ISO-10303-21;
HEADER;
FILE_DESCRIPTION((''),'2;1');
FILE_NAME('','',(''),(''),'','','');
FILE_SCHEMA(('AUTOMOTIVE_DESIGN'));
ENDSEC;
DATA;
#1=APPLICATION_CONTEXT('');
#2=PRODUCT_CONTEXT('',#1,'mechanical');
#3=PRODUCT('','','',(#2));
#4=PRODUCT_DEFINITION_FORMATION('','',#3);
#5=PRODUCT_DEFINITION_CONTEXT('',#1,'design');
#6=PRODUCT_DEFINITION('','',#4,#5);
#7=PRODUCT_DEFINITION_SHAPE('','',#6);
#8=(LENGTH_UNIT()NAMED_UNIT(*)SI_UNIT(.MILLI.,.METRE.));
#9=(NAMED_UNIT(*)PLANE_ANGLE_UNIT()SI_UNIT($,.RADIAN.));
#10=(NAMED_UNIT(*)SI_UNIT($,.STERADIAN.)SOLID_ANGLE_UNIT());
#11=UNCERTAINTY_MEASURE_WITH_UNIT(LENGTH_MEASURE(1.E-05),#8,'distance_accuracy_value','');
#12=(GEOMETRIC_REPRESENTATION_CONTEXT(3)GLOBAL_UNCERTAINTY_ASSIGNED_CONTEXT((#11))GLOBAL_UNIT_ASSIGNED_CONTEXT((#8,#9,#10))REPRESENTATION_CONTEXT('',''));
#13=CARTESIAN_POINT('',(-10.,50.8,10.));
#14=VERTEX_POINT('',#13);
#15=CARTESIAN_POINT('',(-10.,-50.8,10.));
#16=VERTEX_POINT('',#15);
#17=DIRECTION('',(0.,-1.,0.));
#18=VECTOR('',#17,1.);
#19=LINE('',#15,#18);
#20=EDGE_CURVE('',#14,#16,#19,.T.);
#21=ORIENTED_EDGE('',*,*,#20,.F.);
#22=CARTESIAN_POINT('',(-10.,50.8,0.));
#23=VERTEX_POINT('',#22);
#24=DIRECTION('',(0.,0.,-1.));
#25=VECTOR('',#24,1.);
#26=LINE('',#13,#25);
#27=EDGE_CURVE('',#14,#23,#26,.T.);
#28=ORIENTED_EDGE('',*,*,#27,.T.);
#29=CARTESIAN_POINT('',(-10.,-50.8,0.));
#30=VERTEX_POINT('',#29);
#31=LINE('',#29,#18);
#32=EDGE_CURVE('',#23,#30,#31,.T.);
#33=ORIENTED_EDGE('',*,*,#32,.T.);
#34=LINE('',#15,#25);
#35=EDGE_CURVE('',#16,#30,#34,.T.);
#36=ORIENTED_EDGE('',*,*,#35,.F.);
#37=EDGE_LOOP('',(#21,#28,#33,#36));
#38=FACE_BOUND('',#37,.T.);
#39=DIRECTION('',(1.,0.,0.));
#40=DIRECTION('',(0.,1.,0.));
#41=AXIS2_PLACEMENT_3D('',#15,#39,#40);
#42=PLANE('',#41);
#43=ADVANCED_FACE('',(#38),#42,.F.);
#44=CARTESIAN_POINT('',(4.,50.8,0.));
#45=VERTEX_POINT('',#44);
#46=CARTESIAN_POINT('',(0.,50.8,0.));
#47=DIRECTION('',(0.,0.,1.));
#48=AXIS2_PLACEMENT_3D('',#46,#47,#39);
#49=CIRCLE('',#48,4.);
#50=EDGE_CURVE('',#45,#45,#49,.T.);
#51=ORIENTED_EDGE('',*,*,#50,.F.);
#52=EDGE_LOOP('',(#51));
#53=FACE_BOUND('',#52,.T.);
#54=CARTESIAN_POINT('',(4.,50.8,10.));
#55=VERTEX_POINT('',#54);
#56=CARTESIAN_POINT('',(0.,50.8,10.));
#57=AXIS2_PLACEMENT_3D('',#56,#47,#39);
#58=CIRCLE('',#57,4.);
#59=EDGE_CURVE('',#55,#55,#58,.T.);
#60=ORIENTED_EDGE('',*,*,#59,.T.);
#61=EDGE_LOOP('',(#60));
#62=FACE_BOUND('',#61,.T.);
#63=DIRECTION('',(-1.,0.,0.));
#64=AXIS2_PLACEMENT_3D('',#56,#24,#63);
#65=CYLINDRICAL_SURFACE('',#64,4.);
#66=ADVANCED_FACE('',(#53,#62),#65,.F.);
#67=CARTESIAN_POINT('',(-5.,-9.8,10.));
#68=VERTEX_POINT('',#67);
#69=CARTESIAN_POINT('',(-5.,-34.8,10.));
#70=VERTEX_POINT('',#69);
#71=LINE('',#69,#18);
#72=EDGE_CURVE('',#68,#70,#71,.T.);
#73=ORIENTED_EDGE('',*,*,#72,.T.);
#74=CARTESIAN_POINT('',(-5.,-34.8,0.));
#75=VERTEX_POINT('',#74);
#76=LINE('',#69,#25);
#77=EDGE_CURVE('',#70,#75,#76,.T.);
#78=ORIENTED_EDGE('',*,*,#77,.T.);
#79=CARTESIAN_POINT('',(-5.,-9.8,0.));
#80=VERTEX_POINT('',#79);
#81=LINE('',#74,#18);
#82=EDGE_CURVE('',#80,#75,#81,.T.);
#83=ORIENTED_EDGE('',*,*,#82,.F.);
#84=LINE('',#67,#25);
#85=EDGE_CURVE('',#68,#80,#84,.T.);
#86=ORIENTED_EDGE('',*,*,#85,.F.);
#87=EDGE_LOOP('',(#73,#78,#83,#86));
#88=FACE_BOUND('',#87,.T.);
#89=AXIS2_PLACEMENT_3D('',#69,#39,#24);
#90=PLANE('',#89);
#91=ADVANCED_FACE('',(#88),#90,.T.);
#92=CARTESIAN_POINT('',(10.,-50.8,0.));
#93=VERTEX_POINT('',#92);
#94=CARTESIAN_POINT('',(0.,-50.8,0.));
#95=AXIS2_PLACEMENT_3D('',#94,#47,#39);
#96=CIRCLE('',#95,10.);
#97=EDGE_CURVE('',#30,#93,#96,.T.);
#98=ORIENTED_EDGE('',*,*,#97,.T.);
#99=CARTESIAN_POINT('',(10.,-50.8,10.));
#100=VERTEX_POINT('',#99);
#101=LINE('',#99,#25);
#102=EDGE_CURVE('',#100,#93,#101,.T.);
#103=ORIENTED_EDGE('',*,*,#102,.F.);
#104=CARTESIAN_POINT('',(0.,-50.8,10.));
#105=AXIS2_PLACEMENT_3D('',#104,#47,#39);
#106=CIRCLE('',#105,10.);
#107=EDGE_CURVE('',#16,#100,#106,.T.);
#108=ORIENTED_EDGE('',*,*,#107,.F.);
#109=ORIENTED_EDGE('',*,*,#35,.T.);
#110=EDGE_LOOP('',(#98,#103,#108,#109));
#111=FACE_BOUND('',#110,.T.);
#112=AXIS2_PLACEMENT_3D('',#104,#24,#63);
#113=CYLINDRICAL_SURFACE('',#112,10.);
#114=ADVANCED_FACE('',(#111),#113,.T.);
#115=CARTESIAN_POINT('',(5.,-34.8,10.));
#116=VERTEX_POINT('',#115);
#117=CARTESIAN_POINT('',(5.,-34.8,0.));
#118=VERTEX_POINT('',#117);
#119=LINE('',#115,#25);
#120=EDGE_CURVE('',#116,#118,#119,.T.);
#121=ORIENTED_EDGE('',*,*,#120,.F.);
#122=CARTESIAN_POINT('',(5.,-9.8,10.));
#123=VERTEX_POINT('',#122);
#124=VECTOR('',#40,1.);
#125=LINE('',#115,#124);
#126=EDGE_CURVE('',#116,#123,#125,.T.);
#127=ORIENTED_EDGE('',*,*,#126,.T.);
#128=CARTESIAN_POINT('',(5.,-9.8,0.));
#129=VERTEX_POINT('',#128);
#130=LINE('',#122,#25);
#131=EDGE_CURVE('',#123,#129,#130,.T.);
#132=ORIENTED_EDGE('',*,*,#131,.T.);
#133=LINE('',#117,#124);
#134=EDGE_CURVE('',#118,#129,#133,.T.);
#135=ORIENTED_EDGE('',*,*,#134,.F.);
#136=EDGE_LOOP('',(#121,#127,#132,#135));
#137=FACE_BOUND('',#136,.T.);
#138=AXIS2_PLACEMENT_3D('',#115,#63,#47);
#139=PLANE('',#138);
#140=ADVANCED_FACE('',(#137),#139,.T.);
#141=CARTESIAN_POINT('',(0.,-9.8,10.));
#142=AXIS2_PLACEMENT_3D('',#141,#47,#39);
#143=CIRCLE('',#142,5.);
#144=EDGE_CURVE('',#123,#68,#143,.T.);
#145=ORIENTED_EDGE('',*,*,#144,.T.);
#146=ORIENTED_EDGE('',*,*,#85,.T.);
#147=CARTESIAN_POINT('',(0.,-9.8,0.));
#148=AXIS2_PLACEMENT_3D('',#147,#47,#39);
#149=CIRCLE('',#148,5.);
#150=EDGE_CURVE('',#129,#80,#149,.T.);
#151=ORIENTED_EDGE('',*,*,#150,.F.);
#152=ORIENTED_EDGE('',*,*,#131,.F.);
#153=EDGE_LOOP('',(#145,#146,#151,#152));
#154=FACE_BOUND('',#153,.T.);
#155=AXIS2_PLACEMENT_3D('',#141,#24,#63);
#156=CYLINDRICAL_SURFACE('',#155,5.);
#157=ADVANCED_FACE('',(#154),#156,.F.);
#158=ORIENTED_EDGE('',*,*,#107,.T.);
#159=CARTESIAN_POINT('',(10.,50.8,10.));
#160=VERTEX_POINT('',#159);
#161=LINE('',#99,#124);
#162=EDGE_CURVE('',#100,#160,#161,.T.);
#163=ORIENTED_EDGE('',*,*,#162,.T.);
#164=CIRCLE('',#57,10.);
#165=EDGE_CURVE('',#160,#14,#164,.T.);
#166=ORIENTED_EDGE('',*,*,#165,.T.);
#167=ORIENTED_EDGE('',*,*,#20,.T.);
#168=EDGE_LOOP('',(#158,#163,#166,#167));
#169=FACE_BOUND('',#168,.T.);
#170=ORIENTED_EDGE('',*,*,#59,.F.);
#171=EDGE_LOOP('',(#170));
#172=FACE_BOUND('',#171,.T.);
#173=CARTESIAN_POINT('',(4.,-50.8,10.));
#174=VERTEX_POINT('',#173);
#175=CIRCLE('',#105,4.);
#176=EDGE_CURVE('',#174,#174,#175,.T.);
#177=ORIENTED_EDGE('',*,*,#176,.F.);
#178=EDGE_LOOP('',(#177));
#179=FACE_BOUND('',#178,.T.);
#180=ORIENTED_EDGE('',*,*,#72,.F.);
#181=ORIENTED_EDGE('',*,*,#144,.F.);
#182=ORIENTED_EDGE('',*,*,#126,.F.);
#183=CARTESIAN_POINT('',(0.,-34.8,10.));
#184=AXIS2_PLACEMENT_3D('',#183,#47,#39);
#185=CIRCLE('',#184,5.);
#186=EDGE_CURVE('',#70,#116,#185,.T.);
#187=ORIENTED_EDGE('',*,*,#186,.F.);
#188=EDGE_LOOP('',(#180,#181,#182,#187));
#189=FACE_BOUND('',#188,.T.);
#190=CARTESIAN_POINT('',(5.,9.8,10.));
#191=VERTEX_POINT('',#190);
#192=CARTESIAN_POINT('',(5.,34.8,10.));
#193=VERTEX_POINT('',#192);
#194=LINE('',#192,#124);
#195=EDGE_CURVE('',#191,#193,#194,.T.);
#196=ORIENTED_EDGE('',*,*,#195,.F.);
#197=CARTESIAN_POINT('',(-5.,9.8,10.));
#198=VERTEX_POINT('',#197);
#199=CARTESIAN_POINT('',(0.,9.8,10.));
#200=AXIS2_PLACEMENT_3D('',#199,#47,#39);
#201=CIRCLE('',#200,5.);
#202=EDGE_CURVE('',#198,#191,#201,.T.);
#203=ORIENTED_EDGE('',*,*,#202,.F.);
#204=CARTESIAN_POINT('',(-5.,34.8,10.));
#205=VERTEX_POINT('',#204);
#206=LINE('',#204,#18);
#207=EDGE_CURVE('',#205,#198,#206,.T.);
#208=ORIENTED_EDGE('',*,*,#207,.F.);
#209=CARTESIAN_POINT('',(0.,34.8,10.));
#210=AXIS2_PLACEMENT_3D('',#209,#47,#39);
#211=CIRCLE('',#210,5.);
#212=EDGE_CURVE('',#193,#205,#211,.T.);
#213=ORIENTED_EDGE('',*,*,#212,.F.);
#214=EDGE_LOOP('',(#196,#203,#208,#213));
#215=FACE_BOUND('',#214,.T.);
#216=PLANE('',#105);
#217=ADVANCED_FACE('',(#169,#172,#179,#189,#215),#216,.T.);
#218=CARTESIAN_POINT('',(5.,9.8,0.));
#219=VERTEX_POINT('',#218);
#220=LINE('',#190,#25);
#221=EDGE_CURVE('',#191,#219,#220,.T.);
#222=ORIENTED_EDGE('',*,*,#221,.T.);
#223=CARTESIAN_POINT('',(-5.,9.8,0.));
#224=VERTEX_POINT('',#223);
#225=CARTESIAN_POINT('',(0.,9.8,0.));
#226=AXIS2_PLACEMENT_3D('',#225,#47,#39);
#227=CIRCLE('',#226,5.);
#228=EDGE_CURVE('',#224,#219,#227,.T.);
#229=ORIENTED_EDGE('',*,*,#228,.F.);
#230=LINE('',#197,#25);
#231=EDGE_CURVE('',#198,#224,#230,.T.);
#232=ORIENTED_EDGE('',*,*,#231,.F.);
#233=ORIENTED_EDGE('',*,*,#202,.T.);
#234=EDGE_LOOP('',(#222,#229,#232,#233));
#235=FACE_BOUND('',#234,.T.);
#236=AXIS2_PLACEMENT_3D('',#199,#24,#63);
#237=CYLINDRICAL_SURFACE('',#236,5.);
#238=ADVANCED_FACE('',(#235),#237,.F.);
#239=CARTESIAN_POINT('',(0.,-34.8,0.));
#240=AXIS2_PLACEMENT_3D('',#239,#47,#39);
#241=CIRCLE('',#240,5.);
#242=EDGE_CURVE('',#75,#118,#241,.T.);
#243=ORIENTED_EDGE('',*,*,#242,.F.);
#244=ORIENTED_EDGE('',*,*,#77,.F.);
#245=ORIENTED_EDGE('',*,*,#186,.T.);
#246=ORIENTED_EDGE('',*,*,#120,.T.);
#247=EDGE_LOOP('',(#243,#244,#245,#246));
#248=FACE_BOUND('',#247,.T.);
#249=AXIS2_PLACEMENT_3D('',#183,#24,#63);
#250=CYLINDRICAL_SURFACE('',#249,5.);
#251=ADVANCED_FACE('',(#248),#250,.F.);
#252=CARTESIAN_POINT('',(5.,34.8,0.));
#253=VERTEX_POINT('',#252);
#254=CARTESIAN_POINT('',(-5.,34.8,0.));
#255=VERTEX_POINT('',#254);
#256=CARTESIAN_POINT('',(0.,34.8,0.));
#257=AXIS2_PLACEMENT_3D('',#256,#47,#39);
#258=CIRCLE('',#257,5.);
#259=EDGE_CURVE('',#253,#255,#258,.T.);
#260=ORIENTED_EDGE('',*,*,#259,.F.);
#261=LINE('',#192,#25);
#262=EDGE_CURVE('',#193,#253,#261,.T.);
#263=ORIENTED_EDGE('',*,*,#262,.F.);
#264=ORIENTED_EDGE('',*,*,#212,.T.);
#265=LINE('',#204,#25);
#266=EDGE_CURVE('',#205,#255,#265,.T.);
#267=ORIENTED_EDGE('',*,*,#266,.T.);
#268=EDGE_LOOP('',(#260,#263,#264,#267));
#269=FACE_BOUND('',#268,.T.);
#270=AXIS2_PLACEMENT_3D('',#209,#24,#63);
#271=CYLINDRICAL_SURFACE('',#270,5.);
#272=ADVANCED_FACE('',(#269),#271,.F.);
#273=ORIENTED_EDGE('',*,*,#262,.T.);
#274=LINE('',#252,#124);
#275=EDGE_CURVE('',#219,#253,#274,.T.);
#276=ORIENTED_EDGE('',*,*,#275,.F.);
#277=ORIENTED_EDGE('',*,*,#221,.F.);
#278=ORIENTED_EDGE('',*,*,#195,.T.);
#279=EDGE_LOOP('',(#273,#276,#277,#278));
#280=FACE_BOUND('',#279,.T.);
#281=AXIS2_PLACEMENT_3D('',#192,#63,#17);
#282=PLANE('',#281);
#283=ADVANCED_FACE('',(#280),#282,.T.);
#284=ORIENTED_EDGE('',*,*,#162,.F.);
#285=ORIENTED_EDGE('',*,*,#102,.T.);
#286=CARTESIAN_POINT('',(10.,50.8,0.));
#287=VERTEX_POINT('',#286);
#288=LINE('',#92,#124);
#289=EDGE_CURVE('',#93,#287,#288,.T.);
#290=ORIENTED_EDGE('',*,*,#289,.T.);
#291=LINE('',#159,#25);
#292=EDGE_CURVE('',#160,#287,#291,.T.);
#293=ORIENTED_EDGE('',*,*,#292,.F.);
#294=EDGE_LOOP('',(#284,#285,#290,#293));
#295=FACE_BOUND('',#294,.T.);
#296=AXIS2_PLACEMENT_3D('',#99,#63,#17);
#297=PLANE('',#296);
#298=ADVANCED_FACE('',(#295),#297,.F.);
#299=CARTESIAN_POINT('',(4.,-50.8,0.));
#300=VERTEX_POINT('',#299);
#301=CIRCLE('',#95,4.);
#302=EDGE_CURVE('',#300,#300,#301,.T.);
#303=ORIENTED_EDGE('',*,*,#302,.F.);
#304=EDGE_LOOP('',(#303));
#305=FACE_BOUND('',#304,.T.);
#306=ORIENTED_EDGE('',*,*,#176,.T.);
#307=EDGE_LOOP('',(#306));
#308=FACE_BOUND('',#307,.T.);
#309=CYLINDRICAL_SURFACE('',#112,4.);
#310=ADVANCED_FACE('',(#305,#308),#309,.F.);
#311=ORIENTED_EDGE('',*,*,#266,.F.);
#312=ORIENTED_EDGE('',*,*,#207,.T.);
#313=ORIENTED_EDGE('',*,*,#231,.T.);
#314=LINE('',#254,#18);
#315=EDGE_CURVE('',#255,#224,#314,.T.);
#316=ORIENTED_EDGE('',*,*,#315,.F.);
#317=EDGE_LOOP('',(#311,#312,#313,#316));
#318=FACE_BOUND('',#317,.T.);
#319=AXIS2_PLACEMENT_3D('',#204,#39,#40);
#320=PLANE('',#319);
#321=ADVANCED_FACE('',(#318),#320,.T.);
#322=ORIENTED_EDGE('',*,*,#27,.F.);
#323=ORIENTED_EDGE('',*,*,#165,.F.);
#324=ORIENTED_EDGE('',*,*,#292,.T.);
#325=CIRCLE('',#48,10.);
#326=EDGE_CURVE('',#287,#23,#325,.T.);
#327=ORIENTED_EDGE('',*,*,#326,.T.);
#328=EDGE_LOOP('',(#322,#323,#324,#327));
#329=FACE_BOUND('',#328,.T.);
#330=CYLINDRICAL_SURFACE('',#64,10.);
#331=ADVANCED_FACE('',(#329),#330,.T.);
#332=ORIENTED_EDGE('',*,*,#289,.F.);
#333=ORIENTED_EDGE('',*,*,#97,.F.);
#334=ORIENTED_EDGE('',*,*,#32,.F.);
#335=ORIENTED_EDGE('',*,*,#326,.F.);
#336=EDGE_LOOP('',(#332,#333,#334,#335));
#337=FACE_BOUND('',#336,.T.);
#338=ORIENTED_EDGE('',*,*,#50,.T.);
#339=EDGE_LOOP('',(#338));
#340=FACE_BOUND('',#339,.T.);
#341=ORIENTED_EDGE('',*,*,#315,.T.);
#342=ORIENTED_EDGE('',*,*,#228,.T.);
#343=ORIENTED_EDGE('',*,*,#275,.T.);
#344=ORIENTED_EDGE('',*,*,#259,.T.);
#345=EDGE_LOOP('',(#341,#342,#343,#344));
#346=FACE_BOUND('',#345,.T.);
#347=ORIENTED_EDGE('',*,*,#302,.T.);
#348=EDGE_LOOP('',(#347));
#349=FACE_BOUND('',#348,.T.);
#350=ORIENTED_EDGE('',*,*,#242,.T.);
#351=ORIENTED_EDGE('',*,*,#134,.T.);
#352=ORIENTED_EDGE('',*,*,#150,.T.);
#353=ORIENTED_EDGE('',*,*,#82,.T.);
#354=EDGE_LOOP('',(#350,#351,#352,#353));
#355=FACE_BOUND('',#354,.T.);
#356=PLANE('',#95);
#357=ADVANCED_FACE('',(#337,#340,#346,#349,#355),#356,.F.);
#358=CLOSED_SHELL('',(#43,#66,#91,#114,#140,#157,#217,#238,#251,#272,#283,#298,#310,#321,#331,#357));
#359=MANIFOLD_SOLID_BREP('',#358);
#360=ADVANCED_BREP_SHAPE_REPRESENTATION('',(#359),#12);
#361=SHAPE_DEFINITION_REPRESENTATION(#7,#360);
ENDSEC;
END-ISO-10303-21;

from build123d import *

# Parameters (mm, degrees)
SKETCH1_R           = 4
BOSS_EXTRUDE1_DEPTH = 10


with BuildPart() as part:
    # Sketch1 → Boss-Extrude1 (new body)
    with BuildSketch(Plane.XY):
        with BuildLine():
            Line((-10, -50.8), (-10, 50.8))
            ThreePointArc((-10, 50.8), (0, 60.8), (10, 50.8))
            Line((10, 50.8), (10, -50.8))
            ThreePointArc((10, -50.8), (0, -60.8), (-10, -50.8))
        make_face()
        with Locations((0, -50.8)):
            Circle(SKETCH1_R, mode=Mode.SUBTRACT)
        with Locations((0, 50.8)):
            Circle(SKETCH1_R, mode=Mode.SUBTRACT)
        with BuildLine():
            Line((-5, -34.8), (-5, -9.8))
            ThreePointArc((-5, -9.8), (0, -4.8), (5, -9.8))
            Line((5, -9.8), (5, -34.8))
            ThreePointArc((5, -34.8), (0, -39.8), (-5, -34.8))
        make_face(mode=Mode.SUBTRACT)
        with BuildLine():
            Line((5, 34.8), (5, 9.8))
            ThreePointArc((5, 9.8), (0, 4.8), (-5, 9.8))
            Line((-5, 9.8), (-5, 34.8))
            ThreePointArc((-5, 34.8), (0, 39.8), (5, 34.8))
        make_face(mode=Mode.SUBTRACT)
    extrude(amount=BOSS_EXTRUDE1_DEPTH)


solid = part.part
